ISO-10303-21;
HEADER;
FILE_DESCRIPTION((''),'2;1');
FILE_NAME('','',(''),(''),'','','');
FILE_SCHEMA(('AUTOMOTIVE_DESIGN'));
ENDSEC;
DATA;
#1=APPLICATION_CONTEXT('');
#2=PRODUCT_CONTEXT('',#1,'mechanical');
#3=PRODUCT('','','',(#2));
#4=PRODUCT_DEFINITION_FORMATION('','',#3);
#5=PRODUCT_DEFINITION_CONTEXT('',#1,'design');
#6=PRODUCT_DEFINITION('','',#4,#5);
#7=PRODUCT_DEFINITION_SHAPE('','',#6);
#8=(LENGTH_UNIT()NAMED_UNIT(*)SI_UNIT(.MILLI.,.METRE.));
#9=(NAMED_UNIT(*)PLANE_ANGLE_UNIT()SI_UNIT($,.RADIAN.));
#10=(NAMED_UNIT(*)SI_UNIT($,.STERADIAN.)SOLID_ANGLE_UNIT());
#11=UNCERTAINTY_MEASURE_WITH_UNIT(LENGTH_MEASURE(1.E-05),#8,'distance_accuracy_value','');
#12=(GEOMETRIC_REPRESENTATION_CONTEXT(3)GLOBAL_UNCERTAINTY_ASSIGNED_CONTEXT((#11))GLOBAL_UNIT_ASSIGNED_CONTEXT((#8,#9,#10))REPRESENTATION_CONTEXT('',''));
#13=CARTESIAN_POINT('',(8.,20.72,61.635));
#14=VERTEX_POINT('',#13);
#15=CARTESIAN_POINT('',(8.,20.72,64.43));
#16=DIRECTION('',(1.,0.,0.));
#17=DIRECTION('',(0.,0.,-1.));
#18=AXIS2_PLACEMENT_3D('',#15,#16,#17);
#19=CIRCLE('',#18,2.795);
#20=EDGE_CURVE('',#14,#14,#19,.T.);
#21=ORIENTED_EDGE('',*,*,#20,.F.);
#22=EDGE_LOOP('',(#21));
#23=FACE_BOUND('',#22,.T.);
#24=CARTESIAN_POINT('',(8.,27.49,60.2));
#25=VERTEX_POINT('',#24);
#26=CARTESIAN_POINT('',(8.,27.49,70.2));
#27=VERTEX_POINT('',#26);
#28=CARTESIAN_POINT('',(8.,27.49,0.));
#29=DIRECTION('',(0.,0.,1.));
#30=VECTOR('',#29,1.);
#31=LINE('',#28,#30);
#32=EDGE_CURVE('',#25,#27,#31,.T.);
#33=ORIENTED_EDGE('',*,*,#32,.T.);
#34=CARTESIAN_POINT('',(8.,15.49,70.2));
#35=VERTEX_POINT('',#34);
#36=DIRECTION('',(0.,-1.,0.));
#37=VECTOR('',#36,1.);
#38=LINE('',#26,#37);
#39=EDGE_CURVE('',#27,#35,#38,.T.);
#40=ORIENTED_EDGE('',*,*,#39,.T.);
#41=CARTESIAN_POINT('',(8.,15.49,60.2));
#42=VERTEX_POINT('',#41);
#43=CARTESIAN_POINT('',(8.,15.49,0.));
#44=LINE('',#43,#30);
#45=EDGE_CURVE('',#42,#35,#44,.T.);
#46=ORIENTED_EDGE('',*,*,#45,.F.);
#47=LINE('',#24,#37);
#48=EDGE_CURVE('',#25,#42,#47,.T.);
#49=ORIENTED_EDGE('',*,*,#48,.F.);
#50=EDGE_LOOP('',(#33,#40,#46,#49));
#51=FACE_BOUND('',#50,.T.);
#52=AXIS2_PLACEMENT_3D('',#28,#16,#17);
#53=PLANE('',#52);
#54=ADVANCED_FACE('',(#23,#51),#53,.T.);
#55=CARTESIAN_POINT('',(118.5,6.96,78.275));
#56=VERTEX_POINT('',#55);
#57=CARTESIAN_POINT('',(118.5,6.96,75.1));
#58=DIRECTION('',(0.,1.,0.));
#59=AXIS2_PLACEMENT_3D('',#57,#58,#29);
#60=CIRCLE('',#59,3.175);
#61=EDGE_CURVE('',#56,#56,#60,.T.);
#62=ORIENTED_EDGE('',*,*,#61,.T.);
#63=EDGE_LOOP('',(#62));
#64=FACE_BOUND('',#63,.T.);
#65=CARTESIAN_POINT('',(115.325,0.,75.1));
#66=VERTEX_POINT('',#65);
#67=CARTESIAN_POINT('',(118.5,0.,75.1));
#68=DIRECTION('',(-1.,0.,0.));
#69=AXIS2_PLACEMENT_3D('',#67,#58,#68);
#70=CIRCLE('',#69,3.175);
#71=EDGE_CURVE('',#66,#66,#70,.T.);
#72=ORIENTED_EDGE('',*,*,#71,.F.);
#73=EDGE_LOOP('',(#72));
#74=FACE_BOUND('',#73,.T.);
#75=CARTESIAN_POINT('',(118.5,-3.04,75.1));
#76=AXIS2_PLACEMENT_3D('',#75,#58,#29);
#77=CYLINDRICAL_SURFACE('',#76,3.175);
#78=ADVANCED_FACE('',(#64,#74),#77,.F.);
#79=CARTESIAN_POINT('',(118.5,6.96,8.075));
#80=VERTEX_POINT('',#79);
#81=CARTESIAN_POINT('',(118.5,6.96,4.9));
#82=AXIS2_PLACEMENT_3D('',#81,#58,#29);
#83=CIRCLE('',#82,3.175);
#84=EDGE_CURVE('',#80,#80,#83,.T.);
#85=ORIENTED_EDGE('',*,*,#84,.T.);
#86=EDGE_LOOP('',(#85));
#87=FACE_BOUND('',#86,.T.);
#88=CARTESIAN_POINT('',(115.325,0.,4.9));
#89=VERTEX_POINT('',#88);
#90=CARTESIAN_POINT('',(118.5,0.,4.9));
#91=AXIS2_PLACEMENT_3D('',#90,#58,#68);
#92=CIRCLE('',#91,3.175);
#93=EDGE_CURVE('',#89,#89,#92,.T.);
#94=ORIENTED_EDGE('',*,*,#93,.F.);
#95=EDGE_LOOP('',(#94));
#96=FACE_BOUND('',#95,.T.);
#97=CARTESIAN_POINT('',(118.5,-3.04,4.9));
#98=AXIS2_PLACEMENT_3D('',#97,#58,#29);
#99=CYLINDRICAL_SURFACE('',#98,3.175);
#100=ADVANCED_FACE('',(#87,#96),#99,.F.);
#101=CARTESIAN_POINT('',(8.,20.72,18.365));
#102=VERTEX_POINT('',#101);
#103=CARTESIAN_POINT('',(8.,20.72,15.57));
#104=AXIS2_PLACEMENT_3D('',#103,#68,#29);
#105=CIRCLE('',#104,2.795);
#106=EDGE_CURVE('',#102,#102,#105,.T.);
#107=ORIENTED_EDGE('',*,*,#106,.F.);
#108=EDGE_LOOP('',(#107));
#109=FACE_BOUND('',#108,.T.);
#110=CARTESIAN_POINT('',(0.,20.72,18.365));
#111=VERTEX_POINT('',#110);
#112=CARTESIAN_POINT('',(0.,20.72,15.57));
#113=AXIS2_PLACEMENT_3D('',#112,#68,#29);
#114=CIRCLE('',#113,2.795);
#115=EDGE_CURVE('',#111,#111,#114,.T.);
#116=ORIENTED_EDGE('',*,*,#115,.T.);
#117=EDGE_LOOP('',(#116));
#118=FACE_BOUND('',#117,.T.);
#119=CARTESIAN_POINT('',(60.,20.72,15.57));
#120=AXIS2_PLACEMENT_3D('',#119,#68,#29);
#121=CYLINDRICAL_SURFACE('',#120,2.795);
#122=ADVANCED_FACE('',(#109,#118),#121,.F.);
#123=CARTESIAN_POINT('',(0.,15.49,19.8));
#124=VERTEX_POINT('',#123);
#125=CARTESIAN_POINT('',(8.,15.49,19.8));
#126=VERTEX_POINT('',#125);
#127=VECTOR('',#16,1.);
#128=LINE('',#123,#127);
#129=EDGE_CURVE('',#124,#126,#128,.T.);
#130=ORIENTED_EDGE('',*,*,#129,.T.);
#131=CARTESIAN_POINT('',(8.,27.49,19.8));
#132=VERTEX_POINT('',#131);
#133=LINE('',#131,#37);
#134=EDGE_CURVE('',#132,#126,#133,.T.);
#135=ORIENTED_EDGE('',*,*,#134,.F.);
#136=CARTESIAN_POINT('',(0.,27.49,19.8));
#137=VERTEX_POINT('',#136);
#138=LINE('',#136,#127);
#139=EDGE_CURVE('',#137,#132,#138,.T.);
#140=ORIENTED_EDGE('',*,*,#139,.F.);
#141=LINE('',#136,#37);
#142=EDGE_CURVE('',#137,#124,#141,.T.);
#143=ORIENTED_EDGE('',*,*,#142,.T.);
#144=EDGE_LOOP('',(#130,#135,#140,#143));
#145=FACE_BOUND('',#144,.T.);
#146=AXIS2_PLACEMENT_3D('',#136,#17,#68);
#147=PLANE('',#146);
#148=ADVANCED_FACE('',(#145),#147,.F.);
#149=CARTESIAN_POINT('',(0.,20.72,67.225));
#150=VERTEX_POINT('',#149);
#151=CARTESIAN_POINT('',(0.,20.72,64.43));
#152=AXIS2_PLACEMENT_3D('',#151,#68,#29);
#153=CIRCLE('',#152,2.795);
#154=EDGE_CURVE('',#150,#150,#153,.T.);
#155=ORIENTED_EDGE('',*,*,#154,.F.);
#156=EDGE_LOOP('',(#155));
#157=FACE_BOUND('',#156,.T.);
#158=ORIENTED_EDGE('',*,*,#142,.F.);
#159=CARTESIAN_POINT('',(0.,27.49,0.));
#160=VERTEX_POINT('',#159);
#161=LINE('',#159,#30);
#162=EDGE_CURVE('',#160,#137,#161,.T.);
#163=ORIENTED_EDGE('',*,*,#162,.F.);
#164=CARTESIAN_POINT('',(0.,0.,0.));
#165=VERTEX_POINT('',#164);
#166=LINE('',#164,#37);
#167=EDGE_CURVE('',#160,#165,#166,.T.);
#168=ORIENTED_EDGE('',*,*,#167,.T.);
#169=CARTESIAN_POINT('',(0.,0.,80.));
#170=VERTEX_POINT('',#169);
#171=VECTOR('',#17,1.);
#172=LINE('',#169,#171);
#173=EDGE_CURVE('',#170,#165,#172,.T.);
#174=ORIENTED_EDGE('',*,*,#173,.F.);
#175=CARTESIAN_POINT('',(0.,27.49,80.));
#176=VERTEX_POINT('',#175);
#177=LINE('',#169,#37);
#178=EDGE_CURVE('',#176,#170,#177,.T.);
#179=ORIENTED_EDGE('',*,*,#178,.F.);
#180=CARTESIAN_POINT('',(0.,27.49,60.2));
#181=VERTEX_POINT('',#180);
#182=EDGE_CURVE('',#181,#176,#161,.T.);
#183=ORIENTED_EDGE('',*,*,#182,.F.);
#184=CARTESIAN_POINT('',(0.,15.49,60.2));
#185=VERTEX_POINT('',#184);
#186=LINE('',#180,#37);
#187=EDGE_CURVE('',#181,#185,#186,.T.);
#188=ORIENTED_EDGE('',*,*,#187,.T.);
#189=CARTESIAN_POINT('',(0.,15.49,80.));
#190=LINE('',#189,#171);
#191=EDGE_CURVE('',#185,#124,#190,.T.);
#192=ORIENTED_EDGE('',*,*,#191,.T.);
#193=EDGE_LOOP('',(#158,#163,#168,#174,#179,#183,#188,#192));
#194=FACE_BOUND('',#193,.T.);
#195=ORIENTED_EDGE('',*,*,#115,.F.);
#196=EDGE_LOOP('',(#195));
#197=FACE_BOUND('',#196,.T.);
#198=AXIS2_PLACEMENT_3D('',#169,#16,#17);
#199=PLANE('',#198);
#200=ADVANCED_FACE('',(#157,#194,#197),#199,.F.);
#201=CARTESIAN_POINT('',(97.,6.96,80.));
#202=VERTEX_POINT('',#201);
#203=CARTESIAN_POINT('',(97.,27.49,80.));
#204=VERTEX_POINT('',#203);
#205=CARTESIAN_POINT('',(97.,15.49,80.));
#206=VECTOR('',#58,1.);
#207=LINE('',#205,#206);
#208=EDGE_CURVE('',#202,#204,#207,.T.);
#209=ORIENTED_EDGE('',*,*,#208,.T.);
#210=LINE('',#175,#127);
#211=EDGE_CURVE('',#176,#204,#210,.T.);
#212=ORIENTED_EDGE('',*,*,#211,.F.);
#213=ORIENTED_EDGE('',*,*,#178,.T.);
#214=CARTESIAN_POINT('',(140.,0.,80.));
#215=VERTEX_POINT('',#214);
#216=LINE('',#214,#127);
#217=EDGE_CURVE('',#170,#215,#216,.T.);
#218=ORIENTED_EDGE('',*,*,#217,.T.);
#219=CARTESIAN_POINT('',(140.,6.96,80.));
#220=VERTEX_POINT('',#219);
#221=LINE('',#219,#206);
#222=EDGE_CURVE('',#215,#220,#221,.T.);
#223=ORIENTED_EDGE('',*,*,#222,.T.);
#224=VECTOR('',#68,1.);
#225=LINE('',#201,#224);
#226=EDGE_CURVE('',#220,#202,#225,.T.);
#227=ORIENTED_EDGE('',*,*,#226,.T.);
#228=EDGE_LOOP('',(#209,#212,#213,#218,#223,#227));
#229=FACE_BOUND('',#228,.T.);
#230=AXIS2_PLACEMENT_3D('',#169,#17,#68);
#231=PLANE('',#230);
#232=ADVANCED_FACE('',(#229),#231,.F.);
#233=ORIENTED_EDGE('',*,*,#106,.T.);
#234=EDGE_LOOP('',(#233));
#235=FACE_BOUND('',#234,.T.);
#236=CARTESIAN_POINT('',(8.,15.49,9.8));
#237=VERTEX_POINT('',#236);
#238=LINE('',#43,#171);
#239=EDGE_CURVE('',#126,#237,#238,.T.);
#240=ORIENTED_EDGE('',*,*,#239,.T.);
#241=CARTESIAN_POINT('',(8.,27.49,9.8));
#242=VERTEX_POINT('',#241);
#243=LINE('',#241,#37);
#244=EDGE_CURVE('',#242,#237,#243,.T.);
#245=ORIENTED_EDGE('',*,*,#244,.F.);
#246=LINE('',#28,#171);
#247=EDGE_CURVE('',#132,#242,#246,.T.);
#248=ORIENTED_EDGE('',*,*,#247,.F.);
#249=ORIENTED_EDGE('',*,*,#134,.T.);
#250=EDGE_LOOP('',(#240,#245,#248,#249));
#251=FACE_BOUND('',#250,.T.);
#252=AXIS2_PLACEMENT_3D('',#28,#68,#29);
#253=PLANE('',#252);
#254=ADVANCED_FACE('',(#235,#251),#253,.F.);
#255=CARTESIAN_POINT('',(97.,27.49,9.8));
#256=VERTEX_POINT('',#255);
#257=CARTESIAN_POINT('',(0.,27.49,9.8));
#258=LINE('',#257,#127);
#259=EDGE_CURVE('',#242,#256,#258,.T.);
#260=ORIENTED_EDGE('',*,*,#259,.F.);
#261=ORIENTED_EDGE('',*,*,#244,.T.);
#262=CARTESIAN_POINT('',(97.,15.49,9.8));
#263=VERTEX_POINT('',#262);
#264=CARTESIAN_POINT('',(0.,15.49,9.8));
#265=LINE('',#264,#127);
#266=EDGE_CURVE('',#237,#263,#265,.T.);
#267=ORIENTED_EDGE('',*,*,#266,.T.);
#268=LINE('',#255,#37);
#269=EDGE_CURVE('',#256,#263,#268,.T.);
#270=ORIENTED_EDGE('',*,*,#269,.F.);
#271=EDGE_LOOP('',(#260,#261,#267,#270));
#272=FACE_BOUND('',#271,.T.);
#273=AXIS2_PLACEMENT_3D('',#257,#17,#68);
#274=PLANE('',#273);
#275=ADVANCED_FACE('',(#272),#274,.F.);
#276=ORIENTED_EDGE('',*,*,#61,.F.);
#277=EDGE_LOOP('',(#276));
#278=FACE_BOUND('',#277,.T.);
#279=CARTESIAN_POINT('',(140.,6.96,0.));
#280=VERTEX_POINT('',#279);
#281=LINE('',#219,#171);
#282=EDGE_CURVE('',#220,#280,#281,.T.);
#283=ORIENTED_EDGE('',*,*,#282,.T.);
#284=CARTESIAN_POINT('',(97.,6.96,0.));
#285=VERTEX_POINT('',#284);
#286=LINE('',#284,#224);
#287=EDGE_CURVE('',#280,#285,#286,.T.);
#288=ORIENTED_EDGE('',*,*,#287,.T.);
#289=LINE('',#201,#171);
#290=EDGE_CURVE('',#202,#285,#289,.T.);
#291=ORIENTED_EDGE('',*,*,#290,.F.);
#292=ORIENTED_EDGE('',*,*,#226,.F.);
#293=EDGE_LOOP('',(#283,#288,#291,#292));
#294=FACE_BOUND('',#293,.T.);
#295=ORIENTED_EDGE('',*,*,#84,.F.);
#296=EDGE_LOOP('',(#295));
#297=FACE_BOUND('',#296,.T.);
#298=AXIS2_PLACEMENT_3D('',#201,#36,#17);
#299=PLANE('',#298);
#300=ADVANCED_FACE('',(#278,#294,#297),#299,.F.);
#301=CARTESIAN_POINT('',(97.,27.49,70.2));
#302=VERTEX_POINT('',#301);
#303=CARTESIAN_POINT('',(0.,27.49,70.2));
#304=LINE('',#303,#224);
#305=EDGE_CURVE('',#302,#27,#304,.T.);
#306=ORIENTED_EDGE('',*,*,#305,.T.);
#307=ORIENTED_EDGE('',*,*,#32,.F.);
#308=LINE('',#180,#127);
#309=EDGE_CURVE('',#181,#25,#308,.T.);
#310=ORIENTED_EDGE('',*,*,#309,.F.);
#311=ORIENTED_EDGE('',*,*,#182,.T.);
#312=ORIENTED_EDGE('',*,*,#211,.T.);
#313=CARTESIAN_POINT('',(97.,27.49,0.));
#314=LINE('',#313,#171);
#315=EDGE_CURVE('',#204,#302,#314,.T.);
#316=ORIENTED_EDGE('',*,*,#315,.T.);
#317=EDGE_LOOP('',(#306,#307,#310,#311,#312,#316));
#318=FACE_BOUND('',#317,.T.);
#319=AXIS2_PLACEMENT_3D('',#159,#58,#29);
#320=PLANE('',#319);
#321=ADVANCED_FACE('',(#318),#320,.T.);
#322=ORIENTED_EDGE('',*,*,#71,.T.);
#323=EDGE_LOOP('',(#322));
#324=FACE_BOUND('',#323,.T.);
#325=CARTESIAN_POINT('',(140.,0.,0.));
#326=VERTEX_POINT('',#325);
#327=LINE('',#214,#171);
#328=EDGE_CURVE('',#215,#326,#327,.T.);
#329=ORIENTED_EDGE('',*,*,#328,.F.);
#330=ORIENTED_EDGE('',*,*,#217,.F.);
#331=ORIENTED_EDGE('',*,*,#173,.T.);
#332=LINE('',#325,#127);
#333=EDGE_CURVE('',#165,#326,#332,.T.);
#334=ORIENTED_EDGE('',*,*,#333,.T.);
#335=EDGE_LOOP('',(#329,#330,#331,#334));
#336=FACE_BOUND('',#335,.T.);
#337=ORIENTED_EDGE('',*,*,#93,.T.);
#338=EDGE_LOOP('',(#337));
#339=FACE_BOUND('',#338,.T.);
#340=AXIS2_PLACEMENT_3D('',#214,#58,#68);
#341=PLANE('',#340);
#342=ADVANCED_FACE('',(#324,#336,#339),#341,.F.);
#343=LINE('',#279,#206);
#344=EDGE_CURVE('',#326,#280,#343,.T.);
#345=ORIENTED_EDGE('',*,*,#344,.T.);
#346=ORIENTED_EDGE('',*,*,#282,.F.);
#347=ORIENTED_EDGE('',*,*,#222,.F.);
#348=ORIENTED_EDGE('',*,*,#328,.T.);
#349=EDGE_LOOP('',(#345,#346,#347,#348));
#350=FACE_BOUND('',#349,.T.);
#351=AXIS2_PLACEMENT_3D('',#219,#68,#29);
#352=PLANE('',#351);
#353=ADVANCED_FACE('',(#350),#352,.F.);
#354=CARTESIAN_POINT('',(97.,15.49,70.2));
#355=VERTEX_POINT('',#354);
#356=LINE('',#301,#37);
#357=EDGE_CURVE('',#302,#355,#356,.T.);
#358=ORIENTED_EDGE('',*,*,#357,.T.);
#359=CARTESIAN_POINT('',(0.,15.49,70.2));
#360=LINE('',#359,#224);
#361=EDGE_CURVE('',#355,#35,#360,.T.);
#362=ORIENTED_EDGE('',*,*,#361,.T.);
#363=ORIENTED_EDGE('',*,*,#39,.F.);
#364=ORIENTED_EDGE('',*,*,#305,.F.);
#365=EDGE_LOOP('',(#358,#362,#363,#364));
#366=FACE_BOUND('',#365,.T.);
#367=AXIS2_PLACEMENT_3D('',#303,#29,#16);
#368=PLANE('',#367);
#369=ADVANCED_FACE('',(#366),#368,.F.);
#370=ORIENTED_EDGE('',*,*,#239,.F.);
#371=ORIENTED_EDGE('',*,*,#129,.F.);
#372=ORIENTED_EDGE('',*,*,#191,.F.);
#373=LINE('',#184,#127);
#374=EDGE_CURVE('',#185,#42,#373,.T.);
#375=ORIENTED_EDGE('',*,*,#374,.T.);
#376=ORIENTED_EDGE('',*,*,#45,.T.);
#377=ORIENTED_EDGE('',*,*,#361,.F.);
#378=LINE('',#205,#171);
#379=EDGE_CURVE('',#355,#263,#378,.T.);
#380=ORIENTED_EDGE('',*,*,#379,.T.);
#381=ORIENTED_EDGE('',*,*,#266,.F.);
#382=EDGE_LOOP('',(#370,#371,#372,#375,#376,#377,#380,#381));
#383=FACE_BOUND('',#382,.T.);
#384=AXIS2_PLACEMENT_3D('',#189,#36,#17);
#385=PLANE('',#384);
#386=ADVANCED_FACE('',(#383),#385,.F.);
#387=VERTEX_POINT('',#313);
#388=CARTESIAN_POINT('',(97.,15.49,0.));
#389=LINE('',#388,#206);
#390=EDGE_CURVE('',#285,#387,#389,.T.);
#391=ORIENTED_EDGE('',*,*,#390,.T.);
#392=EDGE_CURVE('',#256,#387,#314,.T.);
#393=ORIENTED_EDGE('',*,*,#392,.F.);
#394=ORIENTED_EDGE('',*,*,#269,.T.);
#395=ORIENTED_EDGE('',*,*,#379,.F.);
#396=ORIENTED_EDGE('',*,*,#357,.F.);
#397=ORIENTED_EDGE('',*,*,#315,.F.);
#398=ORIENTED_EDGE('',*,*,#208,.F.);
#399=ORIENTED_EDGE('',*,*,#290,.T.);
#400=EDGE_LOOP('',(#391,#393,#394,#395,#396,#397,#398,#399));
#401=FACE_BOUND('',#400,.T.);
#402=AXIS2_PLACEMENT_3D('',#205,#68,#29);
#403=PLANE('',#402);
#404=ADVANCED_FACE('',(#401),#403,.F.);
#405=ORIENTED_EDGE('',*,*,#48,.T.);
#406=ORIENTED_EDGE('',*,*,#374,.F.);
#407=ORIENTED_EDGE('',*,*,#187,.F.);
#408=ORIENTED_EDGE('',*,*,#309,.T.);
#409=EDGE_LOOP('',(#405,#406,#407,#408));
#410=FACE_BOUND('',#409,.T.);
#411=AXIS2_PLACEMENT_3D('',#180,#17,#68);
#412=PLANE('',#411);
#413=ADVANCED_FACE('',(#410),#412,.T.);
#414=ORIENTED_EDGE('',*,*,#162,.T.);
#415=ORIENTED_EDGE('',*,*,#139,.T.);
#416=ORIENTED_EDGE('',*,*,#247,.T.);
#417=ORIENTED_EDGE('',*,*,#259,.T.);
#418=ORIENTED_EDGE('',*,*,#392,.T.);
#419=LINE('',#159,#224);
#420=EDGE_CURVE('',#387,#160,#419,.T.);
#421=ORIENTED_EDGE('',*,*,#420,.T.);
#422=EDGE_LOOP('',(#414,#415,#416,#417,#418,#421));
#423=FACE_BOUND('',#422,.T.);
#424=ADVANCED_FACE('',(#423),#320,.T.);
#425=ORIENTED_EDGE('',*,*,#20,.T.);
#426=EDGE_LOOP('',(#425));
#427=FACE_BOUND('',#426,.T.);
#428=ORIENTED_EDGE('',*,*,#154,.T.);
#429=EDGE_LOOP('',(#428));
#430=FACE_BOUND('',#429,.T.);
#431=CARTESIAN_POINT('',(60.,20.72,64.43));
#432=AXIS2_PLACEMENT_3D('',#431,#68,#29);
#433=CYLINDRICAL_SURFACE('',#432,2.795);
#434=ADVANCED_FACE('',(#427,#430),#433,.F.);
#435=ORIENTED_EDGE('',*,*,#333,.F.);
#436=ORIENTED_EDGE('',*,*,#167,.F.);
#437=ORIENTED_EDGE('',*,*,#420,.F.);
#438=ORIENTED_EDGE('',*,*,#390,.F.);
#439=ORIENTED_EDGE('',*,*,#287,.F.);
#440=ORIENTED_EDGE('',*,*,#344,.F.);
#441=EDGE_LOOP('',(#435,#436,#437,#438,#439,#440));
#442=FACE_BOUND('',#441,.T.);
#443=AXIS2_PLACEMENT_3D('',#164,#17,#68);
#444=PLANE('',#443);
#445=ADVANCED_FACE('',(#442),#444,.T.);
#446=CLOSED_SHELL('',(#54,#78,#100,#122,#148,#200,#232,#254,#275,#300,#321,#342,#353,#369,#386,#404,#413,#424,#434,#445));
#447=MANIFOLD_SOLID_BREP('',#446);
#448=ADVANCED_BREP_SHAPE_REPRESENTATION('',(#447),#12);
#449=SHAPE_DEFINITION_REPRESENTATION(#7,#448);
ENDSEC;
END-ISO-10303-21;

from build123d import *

# Parameters (mm, degrees)
BOSS_EXTRUDE1_DEPTH = 80
BOSS_EXTRUDE2_DEPTH = 12
SKETCH3_R           = 2.795
CUT_EXTRUDE1_DEPTH  = 60
SKETCH4_R           = 3.175
CUT_EXTRUDE2_DEPTH  = 10


with BuildPart() as part:
    # Sketch1 → Boss-Extrude1 (new body)
    with BuildSketch(Plane.XY):
        Polygon((140, 0), (0, 0), (0, 15.49), (97, 15.49), (97, 6.96), (140, 6.96), align=None)
    extrude(amount=BOSS_EXTRUDE1_DEPTH)

    # Sketch2 → Boss-Extrude2 (add)
    with BuildSketch(Plane(origin=(0, 15.49, 0), x_dir=(1, 0, 0), z_dir=(0, 1, 0))):
        Polygon((97, 0), (0, 0), (0, -9.8), (0, -19.8), (8, -19.8), (8, -9.8), (97, -9.8), align=None)
        Polygon((8, -60.2), (0, -60.2), (0, -70.2), (0, -80), (97, -80), (97, -70.2), (8, -70.2), align=None)
    extrude(amount=BOSS_EXTRUDE2_DEPTH)

    # Sketch3 → Cut-Extrude1 (cut)
    with BuildSketch(Plane.ZY):
        with Locations((15.57, 20.72)):
            Circle(SKETCH3_R)
        with Locations((64.43, 20.72)):
            Circle(SKETCH3_R)
    extrude(amount=-CUT_EXTRUDE1_DEPTH, mode=Mode.SUBTRACT)

    # Sketch4 → Cut-Extrude2 (cut)
    with BuildSketch(Plane(origin=(0, 6.96, 0), x_dir=(1, 0, 0), z_dir=(0, 1, 0))):
        with Locations(Location((118.5, -4.9, 0), (0, 0, 270))):
            Circle(SKETCH4_R)
        with Locations(Location((118.5, -75.1, 0), (0, 0, 270))):
            Circle(SKETCH4_R)
    extrude(amount=-CUT_EXTRUDE2_DEPTH, mode=Mode.SUBTRACT)


solid = part.part
